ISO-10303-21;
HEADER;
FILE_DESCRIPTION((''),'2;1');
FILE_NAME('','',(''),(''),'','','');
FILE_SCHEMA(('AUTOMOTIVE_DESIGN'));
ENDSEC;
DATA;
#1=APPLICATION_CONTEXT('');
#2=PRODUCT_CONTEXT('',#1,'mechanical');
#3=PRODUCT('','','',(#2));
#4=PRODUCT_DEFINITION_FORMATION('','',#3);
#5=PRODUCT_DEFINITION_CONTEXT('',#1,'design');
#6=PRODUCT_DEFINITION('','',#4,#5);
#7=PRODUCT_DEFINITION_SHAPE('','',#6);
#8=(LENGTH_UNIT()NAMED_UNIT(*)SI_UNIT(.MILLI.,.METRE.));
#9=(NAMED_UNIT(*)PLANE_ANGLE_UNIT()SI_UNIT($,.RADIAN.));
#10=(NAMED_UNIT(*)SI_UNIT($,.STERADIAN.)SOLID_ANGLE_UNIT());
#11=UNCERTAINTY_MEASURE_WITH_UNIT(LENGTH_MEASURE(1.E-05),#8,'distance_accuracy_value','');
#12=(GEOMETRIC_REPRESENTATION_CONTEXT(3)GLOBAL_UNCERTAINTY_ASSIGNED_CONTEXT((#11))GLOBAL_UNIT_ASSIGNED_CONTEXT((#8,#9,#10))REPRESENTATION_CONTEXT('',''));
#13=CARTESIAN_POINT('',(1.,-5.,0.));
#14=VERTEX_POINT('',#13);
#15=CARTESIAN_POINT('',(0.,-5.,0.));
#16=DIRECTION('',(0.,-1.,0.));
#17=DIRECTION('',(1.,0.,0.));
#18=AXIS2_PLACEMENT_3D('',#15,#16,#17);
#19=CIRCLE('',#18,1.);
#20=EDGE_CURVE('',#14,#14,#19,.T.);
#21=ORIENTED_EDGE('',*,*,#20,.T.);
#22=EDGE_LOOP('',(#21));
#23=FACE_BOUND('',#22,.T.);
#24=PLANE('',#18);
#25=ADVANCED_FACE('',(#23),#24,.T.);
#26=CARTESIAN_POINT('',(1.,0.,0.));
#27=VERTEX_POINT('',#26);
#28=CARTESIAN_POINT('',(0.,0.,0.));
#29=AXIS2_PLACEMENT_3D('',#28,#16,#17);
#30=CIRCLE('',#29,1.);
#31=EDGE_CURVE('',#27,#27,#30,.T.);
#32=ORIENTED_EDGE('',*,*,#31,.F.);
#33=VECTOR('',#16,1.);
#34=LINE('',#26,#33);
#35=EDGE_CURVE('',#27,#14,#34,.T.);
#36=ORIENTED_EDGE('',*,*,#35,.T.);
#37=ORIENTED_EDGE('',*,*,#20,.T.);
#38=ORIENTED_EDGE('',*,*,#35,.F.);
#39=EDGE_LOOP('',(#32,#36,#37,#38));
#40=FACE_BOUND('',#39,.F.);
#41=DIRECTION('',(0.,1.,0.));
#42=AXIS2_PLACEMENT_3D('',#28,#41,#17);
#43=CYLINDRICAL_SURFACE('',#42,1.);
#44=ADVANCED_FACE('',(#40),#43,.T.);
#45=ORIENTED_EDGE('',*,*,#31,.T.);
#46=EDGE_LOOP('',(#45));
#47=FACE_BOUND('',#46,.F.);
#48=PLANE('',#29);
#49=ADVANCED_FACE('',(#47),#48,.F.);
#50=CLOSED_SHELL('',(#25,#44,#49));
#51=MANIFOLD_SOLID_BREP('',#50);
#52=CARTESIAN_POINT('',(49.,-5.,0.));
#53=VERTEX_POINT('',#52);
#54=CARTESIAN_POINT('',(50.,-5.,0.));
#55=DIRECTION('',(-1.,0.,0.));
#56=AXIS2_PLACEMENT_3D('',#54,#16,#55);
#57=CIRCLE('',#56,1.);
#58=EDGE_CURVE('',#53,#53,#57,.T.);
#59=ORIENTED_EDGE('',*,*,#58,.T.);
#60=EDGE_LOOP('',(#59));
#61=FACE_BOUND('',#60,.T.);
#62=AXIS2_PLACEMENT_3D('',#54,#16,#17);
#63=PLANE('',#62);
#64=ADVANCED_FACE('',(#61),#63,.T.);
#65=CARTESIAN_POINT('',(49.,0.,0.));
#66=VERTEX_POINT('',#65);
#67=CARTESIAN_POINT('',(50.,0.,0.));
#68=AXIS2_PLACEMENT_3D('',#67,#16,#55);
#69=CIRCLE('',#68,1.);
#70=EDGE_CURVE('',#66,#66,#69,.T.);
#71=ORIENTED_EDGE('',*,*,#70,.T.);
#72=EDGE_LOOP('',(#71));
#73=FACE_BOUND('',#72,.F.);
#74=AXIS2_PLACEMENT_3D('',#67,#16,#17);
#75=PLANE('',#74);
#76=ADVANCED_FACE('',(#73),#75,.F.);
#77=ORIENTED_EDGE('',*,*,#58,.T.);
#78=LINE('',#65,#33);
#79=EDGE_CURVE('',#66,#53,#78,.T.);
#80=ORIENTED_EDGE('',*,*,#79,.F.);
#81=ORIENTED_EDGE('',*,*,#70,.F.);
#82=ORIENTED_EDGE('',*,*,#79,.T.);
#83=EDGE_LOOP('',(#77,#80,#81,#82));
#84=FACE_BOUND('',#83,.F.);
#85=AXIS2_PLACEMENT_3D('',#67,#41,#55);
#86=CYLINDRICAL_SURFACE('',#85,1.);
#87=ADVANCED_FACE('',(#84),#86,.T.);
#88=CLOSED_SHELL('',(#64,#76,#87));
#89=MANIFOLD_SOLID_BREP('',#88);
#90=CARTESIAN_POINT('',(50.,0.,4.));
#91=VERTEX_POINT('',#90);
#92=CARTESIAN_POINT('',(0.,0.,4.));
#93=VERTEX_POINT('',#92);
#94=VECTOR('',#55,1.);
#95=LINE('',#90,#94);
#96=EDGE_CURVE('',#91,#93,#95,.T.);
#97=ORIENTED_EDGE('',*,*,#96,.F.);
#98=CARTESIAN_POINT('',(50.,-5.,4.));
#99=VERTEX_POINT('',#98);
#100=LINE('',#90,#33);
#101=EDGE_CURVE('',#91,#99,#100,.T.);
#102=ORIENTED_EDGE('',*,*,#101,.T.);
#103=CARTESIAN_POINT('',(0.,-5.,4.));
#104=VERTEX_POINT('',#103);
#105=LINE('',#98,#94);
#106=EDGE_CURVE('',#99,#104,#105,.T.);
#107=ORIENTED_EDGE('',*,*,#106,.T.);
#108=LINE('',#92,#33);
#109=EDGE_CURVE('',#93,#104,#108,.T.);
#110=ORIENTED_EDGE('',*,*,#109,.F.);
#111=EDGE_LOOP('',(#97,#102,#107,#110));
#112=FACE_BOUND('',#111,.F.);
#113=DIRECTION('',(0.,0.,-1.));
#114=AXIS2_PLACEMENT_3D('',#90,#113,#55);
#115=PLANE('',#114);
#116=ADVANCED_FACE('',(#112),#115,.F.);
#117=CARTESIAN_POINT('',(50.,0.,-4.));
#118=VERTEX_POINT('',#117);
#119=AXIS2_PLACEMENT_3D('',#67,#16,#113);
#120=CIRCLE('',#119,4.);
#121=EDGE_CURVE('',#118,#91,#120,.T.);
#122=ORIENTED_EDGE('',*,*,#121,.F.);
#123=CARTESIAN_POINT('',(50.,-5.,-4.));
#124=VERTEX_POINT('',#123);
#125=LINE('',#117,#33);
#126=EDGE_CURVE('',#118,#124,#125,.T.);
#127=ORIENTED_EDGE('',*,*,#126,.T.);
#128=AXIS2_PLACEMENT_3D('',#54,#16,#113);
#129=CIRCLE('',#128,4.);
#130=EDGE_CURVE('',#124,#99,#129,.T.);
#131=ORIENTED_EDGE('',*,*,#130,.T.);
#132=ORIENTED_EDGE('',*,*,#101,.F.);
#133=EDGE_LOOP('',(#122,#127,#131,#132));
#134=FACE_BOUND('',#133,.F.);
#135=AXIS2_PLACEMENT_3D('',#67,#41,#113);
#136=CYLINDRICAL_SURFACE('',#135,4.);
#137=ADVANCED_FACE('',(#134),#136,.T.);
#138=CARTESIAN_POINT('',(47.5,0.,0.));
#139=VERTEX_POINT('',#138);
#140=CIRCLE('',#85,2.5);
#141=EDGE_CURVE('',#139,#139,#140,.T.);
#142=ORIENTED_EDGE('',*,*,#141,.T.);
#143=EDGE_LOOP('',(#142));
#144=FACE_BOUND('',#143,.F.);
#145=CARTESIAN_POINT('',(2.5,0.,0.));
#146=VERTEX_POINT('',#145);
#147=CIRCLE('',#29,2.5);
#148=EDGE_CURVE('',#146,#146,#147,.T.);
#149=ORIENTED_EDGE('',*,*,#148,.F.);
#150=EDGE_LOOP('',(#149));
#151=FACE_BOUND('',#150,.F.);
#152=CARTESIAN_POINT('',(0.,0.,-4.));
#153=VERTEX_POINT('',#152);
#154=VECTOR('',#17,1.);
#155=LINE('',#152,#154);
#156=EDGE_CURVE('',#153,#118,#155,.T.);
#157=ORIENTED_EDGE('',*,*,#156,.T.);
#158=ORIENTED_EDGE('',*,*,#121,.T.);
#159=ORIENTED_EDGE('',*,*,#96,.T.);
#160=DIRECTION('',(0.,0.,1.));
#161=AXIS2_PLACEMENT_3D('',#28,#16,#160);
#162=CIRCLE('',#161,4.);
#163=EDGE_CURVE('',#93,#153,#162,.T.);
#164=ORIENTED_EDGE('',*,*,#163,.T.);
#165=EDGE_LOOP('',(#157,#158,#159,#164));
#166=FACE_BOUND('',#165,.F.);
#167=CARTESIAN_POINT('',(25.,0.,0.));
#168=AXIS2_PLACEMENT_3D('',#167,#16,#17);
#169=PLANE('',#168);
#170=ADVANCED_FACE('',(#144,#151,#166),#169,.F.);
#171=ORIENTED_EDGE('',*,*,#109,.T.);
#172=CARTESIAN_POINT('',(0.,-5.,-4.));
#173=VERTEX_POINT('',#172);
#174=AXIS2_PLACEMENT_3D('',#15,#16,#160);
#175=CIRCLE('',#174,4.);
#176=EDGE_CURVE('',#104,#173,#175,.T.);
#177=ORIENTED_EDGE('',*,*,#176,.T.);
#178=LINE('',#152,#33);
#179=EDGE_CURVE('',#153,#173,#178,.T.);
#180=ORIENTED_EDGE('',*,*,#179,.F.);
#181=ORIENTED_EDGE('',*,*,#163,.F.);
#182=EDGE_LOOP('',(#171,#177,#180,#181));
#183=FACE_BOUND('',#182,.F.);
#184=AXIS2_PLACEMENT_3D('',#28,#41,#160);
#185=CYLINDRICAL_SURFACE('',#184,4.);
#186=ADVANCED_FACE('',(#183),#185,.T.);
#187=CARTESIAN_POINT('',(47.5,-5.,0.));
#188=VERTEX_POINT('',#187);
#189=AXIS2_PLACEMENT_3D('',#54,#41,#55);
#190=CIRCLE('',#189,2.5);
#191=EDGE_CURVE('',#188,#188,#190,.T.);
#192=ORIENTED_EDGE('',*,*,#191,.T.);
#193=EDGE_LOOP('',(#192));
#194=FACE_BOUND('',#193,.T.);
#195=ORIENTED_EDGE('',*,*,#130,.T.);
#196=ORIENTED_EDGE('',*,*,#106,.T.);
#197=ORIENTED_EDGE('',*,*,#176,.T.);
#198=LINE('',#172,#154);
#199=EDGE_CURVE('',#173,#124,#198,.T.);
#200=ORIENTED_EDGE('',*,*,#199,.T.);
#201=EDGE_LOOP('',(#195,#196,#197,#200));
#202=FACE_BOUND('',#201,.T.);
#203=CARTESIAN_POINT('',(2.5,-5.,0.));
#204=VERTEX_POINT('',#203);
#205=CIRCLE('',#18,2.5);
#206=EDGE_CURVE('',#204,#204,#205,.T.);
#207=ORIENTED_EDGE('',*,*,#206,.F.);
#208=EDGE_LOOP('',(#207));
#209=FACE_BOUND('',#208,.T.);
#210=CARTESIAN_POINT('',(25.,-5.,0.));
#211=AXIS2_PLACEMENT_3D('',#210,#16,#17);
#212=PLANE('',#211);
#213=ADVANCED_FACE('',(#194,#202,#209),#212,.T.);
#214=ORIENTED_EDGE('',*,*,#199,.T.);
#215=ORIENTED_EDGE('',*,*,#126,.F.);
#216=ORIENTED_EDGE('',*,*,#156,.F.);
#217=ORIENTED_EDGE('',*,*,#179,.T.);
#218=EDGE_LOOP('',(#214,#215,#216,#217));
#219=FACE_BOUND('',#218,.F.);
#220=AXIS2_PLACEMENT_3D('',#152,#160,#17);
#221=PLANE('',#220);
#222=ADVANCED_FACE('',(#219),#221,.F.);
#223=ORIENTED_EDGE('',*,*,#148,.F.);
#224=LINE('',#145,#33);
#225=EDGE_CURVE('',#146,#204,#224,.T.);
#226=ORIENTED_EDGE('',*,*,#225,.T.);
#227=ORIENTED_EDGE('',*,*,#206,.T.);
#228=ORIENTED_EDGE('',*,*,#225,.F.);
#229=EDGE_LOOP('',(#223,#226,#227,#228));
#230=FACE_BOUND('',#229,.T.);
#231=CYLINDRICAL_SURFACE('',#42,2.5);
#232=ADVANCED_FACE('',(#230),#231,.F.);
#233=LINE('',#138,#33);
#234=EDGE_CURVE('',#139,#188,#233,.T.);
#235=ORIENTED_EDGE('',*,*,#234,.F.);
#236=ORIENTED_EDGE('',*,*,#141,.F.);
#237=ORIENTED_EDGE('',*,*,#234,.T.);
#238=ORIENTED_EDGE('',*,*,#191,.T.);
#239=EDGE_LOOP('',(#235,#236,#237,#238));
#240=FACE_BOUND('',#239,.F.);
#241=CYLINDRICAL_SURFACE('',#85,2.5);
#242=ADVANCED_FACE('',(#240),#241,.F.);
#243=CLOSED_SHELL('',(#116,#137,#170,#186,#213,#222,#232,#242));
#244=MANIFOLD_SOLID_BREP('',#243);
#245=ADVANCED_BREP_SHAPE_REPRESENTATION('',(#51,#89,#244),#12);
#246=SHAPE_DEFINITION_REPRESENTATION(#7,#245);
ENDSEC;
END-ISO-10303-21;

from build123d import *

# Parameters (mm, degrees)
F0_R     = 1
F1_DEPTH = 5
F0_R_2   = 2.5


with BuildPart() as f1:
    # F0 (on Front) → F1 (new body)
    with BuildSketch(Plane.XZ):
        Circle(F0_R)
    extrude(amount=F1_DEPTH)


with BuildPart() as f1b:
    # F0 (on Front) → F1, piece 2 (new body)
    with BuildSketch(Plane.XZ):
        with BuildLine():
            Line((50, 4), (0, 4))
            ThreePointArc((0, 4), (-4, 0), (0, -4))
            Line((0, -4), (50, -4))
            ThreePointArc((50, -4), (54, 0), (50, 4))
        make_face()
        Circle(F0_R_2, mode=Mode.SUBTRACT)
        with BuildLine():
            ThreePointArc((52.5, 0), (50, -2.5), (47.5, 0))
            ThreePointArc((47.5, 0), (50, 2.5), (52.5, 0))
        make_face(mode=Mode.SUBTRACT)
    extrude(amount=F1_DEPTH)


with BuildPart() as f1c:
    # F0 (on Front) → F1, piece 3 (new body)
    with BuildSketch(Plane.XZ):
        with BuildLine():
            ThreePointArc((51, 0), (50, 1), (49, 0))
            ThreePointArc((49, 0), (50, -1), (51, 0))
        make_face()
    extrude(amount=F1_DEPTH)


solid = Compound([f1.part, f1b.part, f1c.part])
